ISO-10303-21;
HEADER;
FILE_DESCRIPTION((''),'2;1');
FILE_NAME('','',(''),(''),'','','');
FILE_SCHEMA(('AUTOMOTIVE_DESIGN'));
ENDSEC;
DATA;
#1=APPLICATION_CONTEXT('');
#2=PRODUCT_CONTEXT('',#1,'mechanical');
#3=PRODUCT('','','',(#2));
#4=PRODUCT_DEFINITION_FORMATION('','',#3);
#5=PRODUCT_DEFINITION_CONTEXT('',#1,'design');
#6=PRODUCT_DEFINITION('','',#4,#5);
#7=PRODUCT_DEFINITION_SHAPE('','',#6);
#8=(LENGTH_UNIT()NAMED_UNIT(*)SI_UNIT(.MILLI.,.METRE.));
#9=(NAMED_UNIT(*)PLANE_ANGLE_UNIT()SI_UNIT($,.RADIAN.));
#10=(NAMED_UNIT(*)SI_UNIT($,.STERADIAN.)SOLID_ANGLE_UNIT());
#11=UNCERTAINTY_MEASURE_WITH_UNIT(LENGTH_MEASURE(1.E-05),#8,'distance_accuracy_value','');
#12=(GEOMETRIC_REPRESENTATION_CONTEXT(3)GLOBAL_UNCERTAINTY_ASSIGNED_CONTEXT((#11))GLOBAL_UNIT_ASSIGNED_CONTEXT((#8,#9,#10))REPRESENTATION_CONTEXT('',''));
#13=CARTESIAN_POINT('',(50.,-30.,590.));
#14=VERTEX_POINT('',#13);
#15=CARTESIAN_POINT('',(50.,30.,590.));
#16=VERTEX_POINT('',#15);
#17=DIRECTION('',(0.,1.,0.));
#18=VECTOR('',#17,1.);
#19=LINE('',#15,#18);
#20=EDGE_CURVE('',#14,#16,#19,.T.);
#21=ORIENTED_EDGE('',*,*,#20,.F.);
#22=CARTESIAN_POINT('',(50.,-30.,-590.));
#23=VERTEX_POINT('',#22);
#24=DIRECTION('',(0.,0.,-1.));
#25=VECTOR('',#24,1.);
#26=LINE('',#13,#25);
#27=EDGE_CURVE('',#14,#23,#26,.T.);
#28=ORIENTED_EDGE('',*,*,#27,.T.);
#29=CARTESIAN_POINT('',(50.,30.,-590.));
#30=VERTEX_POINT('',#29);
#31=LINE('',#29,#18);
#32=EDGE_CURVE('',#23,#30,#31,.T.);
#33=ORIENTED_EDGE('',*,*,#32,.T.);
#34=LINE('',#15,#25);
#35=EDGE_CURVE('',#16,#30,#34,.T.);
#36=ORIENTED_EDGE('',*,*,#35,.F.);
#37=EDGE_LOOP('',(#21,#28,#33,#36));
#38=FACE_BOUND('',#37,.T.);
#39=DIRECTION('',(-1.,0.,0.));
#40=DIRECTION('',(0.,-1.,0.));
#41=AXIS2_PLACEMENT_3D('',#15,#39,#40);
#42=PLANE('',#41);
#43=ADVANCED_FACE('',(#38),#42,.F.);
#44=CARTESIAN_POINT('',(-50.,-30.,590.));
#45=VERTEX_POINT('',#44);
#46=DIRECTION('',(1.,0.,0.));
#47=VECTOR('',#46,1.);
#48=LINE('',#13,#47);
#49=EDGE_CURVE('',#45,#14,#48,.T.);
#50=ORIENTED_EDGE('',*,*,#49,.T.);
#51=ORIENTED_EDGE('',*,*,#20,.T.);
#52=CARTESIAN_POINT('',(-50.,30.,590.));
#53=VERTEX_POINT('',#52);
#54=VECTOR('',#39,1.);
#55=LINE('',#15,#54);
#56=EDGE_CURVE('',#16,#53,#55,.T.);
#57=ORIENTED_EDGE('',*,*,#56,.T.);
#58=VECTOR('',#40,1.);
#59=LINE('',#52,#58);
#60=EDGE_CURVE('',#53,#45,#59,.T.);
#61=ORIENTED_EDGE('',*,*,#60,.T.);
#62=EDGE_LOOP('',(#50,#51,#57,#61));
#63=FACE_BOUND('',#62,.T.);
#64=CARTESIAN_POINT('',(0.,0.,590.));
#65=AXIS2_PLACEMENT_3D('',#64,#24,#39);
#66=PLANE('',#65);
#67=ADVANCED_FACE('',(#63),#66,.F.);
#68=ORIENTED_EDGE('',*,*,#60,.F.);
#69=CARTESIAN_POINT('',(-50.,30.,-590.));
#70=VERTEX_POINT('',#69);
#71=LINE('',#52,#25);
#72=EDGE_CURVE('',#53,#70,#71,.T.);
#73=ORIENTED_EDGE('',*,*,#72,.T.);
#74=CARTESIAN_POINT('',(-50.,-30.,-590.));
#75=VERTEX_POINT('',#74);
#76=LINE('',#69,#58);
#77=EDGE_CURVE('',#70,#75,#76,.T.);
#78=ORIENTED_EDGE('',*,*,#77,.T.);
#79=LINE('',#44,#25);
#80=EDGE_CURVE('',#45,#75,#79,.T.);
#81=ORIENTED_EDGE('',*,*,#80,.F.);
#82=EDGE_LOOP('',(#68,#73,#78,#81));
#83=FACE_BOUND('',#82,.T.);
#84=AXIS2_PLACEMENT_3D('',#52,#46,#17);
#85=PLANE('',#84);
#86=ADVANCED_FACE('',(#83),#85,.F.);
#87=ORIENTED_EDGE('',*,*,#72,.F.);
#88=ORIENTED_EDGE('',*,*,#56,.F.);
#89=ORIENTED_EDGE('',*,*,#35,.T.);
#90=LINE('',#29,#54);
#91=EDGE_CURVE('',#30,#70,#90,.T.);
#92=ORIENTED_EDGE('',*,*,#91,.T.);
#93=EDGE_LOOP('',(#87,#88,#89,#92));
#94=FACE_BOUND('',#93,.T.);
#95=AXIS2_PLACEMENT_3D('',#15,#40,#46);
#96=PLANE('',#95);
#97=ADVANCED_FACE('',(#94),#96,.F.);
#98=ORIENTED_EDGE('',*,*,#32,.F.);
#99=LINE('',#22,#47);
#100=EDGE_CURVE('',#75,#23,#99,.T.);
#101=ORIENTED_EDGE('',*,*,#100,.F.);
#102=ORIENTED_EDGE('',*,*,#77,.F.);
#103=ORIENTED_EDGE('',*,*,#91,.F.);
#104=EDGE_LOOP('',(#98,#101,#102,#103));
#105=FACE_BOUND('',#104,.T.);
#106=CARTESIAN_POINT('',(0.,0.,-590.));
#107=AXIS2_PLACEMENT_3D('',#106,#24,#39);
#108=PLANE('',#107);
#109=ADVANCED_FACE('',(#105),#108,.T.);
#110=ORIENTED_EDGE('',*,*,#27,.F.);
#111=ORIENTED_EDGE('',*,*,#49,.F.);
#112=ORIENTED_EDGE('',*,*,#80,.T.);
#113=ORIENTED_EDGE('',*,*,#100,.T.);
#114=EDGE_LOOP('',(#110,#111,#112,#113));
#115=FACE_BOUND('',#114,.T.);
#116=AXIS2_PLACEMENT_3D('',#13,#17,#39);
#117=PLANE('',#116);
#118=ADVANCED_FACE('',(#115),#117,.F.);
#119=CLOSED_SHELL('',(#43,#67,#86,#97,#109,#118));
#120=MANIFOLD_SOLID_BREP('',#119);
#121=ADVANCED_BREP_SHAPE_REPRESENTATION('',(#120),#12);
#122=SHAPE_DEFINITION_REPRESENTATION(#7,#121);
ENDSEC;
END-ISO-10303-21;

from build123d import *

# Parameters (mm, degrees)
SKIZZE1_W                       = 100
SKIZZE1_H                       = 60
AUFSATZ_LINEAR_AUSTRAGEN1_DEPTH = 590


with BuildPart() as part:
    # Skizze1 → Aufsatz-Linear austragen1 (new, symmetric)
    with BuildSketch(Plane.XY):
        Rectangle(SKIZZE1_W, SKIZZE1_H)
    extrude(amount=AUFSATZ_LINEAR_AUSTRAGEN1_DEPTH, both=True)


solid = part.part
